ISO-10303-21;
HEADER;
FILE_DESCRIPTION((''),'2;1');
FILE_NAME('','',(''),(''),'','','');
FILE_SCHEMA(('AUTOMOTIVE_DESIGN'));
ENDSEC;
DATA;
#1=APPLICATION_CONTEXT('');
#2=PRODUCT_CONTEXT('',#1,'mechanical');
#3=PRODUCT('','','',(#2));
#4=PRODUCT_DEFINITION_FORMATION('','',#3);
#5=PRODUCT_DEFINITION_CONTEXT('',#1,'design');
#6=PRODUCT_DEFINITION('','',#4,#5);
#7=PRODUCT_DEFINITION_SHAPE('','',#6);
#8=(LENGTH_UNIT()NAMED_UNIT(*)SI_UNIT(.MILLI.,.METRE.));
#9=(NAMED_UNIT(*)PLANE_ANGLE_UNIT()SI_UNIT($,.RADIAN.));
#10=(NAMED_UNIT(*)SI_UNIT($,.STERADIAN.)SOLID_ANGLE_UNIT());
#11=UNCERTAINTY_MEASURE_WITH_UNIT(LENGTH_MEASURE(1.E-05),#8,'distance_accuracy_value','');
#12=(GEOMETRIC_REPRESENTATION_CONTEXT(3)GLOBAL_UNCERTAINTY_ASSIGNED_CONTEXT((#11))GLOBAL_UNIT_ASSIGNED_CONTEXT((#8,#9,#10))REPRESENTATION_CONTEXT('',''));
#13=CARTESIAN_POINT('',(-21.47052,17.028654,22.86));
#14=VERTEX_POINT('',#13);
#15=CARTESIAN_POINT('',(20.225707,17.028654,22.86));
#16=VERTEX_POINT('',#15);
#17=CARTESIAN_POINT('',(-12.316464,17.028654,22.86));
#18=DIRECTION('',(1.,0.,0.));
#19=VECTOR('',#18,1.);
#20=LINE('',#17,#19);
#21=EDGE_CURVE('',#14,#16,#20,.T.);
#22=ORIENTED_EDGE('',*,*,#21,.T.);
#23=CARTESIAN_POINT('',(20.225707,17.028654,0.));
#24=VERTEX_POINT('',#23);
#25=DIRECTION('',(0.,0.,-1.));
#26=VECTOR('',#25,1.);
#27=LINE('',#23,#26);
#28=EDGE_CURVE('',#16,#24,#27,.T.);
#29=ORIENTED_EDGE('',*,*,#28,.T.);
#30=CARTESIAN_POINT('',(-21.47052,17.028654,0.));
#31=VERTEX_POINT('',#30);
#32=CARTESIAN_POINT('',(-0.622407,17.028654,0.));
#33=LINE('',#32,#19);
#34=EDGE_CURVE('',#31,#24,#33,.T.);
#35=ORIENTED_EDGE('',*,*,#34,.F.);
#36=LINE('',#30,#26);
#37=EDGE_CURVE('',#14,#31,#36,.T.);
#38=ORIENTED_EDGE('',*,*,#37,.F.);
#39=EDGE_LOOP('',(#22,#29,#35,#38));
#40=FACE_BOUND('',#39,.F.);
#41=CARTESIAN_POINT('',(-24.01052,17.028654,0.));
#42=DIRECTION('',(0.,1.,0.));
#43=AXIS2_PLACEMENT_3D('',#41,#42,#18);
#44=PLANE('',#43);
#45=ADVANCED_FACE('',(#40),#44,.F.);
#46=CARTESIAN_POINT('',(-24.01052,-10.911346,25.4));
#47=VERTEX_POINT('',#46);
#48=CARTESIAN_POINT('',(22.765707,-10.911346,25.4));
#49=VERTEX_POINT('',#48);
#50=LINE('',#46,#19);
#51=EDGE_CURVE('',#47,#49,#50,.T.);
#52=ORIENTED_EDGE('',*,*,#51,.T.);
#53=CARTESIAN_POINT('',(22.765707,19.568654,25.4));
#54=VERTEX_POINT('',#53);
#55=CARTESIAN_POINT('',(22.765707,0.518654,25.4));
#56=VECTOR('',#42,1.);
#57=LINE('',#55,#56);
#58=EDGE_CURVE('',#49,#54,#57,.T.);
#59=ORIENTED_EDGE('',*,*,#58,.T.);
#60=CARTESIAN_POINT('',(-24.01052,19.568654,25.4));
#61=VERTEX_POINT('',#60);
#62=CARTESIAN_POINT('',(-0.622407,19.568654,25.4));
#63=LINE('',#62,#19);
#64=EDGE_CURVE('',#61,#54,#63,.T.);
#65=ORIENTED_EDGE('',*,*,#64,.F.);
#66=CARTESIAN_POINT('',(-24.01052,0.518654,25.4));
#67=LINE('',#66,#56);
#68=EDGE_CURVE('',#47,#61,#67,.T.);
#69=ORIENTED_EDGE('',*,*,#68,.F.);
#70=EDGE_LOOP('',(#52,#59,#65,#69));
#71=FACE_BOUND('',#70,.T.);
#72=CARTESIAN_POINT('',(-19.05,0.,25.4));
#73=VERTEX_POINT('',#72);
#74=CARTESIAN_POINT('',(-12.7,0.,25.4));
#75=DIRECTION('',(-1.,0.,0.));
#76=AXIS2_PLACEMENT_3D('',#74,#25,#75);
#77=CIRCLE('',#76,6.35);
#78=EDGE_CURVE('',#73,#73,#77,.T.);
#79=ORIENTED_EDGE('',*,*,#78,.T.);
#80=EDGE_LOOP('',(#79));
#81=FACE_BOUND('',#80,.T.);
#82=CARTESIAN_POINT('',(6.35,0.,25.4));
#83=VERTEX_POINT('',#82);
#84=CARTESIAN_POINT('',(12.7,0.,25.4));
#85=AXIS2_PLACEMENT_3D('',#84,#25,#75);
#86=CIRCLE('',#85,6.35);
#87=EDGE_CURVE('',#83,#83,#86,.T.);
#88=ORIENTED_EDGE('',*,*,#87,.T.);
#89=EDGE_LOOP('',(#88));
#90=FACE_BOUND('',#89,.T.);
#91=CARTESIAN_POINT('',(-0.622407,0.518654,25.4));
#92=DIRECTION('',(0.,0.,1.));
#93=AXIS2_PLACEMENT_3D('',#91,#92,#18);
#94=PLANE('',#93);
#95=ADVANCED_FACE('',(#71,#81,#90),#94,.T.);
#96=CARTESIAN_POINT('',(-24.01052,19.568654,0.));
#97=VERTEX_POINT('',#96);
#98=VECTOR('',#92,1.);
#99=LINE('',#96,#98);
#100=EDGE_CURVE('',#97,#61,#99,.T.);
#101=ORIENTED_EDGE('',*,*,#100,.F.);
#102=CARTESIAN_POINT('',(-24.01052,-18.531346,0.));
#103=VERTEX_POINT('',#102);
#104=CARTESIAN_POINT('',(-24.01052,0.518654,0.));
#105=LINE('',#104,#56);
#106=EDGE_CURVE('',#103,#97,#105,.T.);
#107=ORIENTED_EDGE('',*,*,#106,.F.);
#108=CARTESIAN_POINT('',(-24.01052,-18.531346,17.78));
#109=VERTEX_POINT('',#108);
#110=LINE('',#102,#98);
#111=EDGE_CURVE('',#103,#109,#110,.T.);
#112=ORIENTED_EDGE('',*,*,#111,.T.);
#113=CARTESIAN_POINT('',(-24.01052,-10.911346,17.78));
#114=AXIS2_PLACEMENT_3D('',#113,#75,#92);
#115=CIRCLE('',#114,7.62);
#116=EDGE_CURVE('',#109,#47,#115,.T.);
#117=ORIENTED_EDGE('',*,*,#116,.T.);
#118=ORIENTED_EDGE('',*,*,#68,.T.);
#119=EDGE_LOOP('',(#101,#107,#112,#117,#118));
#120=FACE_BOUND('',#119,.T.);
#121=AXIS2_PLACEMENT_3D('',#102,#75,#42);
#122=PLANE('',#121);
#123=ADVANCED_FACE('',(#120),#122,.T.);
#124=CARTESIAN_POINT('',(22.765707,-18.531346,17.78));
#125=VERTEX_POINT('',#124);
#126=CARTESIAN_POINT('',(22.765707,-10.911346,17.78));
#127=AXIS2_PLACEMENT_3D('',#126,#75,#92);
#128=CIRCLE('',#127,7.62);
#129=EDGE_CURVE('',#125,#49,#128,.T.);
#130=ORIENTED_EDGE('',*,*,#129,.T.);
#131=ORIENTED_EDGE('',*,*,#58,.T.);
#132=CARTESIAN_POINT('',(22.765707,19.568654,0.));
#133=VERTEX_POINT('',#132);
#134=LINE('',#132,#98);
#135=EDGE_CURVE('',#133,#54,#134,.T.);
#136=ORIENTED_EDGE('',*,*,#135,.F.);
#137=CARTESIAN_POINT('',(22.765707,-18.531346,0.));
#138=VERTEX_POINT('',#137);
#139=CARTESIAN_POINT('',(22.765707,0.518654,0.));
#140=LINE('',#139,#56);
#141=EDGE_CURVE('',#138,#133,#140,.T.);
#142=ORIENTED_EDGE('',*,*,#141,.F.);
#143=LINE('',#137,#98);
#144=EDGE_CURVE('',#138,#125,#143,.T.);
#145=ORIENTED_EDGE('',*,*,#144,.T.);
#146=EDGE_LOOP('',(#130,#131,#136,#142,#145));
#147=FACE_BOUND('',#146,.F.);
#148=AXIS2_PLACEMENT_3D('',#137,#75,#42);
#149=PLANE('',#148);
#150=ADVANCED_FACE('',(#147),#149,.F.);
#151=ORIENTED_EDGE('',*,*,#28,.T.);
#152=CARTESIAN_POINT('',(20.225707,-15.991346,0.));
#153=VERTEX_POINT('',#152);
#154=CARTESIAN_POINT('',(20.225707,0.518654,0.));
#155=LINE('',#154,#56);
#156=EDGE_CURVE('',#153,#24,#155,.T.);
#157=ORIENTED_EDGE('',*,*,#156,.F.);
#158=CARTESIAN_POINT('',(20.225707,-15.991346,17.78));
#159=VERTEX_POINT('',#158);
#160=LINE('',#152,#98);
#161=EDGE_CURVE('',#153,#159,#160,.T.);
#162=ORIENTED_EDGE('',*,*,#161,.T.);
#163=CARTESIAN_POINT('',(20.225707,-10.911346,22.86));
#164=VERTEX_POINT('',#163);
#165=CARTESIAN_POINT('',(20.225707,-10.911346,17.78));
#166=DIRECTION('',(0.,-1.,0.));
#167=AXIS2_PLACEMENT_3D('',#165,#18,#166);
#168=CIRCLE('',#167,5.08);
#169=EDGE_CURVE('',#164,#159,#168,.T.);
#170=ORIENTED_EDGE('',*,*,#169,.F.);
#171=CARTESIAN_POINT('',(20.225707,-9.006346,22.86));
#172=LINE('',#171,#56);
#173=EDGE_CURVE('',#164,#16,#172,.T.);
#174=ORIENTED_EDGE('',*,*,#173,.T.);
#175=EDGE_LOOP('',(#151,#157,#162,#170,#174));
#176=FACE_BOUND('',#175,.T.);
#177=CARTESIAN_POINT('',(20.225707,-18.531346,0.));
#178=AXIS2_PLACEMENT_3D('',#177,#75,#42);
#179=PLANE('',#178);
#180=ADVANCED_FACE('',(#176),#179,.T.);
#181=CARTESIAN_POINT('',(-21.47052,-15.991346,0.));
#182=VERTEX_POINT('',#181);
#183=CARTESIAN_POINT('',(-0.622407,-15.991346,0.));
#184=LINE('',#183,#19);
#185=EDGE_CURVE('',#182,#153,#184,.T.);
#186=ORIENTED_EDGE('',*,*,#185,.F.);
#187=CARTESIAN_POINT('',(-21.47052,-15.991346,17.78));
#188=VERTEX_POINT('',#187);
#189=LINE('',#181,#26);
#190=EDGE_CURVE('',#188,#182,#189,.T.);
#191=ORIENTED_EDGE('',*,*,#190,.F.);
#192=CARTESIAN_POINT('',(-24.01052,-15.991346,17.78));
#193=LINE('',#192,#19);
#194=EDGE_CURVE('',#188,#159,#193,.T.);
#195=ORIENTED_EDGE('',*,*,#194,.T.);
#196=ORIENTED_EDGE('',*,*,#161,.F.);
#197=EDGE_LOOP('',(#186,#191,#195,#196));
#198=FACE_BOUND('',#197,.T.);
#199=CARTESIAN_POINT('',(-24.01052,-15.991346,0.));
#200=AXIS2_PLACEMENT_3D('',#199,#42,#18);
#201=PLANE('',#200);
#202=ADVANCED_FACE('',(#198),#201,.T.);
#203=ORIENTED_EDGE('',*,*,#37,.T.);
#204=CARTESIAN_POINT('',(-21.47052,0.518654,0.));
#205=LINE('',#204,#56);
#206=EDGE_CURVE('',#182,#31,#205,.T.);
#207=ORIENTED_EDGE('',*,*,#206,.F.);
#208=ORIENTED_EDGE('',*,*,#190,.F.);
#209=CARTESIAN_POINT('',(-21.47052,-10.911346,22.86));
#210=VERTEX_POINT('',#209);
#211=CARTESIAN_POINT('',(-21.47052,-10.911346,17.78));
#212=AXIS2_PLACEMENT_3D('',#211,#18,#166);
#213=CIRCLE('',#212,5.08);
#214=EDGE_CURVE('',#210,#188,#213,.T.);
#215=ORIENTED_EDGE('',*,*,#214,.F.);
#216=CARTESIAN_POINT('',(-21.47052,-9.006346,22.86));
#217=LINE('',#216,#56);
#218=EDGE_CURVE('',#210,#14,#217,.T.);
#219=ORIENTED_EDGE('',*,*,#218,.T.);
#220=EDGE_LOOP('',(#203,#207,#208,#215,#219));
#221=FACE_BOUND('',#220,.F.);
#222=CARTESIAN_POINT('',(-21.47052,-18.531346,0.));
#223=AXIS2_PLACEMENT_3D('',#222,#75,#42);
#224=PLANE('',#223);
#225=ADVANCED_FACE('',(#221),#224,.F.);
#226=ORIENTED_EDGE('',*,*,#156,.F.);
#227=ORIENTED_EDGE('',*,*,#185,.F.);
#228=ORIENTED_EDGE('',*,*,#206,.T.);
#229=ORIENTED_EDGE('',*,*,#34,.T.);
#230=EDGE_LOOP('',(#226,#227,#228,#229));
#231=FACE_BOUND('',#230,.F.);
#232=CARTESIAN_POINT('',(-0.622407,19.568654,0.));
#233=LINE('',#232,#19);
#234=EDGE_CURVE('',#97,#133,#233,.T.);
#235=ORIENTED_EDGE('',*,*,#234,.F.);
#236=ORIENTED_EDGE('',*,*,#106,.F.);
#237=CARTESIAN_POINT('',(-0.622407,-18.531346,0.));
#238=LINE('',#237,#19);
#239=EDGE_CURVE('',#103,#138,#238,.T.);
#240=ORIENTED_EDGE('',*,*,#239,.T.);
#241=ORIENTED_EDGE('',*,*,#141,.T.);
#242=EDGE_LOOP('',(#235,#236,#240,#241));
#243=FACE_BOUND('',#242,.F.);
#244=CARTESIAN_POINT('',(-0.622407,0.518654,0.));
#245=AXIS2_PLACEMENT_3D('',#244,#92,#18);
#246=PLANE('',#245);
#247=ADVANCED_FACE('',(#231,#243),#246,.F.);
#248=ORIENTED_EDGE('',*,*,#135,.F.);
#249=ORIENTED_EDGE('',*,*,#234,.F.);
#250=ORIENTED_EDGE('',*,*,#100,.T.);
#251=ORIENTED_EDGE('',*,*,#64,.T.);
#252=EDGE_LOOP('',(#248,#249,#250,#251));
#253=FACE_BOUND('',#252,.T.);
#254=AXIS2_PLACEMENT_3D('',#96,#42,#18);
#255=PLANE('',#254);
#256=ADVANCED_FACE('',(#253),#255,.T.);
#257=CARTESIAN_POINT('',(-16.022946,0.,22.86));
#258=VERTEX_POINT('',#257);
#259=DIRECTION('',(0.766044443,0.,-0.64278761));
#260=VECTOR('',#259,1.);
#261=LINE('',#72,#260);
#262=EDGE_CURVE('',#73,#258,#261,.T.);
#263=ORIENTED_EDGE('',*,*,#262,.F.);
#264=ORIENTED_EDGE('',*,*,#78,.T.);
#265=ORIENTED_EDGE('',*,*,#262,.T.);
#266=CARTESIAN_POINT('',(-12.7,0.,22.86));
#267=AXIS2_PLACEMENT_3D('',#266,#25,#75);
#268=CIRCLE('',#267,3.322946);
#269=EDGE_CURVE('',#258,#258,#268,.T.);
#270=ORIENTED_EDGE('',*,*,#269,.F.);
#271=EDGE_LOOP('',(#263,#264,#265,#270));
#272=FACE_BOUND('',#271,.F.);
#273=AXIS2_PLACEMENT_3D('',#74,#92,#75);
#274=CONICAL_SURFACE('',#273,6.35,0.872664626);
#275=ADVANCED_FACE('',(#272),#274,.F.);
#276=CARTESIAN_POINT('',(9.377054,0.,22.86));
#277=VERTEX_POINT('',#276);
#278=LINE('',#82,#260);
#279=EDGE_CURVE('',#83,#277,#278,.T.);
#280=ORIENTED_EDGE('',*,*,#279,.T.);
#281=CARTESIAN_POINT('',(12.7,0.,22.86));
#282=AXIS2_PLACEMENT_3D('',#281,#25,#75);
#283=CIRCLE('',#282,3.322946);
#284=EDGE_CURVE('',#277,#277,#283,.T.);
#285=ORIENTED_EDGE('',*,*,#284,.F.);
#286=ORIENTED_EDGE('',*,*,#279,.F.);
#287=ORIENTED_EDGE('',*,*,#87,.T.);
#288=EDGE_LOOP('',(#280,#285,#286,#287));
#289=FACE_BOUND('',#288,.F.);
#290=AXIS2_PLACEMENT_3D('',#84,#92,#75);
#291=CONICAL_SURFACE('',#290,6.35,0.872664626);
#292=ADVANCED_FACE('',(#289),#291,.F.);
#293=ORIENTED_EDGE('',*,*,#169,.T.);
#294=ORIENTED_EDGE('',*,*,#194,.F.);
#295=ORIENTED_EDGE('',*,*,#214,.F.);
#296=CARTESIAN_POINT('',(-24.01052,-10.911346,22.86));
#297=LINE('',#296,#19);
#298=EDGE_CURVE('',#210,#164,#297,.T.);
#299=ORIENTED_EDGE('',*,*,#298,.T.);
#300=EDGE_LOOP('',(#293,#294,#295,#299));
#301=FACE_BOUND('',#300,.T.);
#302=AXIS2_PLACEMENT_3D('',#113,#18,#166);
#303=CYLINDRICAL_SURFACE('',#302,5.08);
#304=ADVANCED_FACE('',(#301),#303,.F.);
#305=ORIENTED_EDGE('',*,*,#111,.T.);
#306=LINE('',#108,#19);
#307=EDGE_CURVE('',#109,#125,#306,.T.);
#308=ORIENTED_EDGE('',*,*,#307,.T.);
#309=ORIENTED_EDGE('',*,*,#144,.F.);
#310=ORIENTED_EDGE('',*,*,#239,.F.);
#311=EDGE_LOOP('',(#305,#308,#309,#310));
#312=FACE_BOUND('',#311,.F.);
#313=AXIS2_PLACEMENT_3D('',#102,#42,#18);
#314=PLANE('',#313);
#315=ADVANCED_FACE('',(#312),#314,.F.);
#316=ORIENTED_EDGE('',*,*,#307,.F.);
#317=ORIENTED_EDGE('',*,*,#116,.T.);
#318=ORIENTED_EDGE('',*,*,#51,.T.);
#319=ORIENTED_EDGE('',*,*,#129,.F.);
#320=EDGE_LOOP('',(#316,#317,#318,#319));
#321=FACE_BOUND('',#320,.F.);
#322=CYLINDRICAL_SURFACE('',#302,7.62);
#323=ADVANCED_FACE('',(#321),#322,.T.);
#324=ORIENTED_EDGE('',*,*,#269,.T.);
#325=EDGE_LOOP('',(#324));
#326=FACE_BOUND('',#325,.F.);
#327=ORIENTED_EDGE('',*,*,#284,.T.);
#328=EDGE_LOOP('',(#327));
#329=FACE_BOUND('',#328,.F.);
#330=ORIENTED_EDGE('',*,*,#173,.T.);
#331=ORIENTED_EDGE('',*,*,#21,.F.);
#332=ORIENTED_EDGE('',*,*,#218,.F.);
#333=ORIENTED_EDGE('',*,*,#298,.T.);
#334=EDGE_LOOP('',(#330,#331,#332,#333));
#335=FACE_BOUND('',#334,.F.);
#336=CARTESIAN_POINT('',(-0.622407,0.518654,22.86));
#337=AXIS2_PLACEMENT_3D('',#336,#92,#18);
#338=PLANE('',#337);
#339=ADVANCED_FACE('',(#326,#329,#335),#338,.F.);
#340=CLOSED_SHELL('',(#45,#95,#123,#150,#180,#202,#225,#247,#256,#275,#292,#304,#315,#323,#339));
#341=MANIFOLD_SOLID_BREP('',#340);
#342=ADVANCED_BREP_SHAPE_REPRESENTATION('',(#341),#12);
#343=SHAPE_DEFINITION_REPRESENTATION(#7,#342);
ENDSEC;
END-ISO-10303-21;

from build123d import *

# Parameters (mm, degrees)
F0_W           = 46.776227
F0_H           = 38.1
F1_DEPTH       = 25.4
F2_R           = 7.62
F3_T           = -2.54
F5_D           = 6.35
F5_CSINK_D     = 12.7
F5_CSINK_ANGLE = 100


with BuildPart() as f1:
    # F0 (on Top) → F1 (new body)
    with BuildSketch(Plane.XY):
        with Locations((-0.622407, 0.518654)):
            Rectangle(F0_W, F0_H)
    extrude(amount=F1_DEPTH)

    # F2
    f2_edges = [f1.edges().sort_by_distance(p)[0] for p in [
        (-0.622407, -18.531346, 25.4),
    ]]
    fillet(f2_edges, radius=F2_R)

    # F3
    f3_openings = [f1.faces().sort_by_distance(p)[0] for p in [
        (-0.622407, 0.518654, 0),
    ]]
    offset(amount=F3_T, openings=f3_openings)

    # F5 (through all)
    with Locations(Plane.XY.offset(25.4)):
        with Locations((-12.7, 0), (12.7, 0)):
            CounterSinkHole(F5_D / 2, F5_CSINK_D / 2, counter_sink_angle=F5_CSINK_ANGLE)


solid = f1.part
